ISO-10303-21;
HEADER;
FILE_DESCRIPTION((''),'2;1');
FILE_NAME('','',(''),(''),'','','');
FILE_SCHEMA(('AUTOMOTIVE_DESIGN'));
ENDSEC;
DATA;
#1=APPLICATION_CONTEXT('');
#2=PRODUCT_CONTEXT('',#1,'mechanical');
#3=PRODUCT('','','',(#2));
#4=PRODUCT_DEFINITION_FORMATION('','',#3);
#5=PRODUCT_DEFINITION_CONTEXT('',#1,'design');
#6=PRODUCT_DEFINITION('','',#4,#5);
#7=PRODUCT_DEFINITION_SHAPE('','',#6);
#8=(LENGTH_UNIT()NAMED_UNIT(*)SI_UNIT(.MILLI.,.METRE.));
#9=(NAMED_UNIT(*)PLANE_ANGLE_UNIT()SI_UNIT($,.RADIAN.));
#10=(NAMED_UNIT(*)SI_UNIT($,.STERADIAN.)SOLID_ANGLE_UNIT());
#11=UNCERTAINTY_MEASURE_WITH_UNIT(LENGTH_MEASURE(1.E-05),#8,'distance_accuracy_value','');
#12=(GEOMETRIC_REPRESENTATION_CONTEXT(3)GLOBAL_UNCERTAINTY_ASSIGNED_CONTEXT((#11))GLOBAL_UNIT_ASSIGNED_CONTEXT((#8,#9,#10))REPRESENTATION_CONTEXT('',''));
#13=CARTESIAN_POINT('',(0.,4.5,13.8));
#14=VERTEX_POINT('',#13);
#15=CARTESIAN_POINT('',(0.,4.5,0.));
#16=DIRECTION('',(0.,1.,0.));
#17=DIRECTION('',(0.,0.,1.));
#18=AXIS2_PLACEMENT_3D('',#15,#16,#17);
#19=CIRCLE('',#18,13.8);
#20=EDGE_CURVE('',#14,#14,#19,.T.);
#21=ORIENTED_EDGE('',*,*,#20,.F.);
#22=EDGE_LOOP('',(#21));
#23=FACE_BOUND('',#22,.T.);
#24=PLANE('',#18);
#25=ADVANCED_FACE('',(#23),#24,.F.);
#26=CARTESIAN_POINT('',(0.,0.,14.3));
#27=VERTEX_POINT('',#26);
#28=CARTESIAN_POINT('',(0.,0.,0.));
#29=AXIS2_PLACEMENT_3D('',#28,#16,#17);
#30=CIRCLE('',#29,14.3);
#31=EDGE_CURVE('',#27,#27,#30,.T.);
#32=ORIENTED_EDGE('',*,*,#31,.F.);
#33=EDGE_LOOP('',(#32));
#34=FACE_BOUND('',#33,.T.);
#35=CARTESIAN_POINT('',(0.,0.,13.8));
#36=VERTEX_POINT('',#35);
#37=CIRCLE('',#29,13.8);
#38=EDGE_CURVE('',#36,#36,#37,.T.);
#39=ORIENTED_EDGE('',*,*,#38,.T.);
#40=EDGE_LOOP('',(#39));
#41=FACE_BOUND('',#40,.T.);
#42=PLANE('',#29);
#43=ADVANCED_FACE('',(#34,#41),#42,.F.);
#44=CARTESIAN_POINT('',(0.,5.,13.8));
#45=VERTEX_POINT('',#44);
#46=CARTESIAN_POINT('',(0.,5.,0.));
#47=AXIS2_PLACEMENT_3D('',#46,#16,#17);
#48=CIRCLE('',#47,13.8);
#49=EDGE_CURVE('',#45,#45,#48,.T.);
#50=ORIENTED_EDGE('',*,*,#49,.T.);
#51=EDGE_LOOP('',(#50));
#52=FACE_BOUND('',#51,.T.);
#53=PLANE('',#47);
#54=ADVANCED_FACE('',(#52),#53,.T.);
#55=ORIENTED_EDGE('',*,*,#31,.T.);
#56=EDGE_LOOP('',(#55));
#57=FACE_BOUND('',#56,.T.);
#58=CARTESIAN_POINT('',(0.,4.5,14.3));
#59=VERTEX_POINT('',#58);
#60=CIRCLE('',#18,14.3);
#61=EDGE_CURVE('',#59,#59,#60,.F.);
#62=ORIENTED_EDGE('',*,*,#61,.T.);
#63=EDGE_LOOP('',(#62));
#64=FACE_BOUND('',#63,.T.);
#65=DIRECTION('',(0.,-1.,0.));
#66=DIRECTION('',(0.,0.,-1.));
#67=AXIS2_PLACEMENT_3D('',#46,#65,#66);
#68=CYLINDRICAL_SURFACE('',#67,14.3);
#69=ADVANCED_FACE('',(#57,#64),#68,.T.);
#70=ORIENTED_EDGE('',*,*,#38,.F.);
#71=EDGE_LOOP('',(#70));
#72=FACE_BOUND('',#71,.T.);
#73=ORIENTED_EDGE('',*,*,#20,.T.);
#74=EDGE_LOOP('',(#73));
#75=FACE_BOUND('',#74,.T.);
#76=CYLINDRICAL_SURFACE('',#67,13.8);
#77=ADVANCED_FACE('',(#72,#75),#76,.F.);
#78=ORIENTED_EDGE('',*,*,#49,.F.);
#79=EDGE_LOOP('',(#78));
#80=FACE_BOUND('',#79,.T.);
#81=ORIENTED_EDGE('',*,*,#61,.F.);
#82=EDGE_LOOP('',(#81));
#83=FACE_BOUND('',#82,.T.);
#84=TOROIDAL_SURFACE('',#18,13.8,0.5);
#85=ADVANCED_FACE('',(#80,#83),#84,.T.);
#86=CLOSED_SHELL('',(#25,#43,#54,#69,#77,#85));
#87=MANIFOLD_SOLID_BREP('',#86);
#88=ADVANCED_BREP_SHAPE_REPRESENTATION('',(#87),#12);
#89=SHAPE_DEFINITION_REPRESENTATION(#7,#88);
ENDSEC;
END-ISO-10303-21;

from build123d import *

# Parameters (mm, degrees)
ESQUISSE1_R        = 14.3
BOSS_EXTRU_1_DEPTH = 5
COQUE1_T           = -0.5
CONG_1_R           = 0.5


with BuildPart() as part:
    # Esquisse1 → Boss.-Extru.1 (new body)
    with BuildSketch(Plane(origin=(0, 0, 0), x_dir=(1, 0, 0), z_dir=(0, 1, 0))):
        with Locations(Location((0, 0, 0), (0, 0, 270))):
            Circle(ESQUISSE1_R)
    extrude(amount=BOSS_EXTRU_1_DEPTH)

    # Coque1
    coque1_openings = [part.faces().sort_by_distance(p)[0] for p in [
        (0, 0, 0),
    ]]
    offset(amount=COQUE1_T, openings=coque1_openings, kind=Kind.INTERSECTION)

    # Congé1
    cong_1_edges = [part.edges().sort_by_distance(p)[0] for p in [
        (0, 5, -14.3),
    ]]
    fillet(cong_1_edges, radius=CONG_1_R)


solid = part.part
